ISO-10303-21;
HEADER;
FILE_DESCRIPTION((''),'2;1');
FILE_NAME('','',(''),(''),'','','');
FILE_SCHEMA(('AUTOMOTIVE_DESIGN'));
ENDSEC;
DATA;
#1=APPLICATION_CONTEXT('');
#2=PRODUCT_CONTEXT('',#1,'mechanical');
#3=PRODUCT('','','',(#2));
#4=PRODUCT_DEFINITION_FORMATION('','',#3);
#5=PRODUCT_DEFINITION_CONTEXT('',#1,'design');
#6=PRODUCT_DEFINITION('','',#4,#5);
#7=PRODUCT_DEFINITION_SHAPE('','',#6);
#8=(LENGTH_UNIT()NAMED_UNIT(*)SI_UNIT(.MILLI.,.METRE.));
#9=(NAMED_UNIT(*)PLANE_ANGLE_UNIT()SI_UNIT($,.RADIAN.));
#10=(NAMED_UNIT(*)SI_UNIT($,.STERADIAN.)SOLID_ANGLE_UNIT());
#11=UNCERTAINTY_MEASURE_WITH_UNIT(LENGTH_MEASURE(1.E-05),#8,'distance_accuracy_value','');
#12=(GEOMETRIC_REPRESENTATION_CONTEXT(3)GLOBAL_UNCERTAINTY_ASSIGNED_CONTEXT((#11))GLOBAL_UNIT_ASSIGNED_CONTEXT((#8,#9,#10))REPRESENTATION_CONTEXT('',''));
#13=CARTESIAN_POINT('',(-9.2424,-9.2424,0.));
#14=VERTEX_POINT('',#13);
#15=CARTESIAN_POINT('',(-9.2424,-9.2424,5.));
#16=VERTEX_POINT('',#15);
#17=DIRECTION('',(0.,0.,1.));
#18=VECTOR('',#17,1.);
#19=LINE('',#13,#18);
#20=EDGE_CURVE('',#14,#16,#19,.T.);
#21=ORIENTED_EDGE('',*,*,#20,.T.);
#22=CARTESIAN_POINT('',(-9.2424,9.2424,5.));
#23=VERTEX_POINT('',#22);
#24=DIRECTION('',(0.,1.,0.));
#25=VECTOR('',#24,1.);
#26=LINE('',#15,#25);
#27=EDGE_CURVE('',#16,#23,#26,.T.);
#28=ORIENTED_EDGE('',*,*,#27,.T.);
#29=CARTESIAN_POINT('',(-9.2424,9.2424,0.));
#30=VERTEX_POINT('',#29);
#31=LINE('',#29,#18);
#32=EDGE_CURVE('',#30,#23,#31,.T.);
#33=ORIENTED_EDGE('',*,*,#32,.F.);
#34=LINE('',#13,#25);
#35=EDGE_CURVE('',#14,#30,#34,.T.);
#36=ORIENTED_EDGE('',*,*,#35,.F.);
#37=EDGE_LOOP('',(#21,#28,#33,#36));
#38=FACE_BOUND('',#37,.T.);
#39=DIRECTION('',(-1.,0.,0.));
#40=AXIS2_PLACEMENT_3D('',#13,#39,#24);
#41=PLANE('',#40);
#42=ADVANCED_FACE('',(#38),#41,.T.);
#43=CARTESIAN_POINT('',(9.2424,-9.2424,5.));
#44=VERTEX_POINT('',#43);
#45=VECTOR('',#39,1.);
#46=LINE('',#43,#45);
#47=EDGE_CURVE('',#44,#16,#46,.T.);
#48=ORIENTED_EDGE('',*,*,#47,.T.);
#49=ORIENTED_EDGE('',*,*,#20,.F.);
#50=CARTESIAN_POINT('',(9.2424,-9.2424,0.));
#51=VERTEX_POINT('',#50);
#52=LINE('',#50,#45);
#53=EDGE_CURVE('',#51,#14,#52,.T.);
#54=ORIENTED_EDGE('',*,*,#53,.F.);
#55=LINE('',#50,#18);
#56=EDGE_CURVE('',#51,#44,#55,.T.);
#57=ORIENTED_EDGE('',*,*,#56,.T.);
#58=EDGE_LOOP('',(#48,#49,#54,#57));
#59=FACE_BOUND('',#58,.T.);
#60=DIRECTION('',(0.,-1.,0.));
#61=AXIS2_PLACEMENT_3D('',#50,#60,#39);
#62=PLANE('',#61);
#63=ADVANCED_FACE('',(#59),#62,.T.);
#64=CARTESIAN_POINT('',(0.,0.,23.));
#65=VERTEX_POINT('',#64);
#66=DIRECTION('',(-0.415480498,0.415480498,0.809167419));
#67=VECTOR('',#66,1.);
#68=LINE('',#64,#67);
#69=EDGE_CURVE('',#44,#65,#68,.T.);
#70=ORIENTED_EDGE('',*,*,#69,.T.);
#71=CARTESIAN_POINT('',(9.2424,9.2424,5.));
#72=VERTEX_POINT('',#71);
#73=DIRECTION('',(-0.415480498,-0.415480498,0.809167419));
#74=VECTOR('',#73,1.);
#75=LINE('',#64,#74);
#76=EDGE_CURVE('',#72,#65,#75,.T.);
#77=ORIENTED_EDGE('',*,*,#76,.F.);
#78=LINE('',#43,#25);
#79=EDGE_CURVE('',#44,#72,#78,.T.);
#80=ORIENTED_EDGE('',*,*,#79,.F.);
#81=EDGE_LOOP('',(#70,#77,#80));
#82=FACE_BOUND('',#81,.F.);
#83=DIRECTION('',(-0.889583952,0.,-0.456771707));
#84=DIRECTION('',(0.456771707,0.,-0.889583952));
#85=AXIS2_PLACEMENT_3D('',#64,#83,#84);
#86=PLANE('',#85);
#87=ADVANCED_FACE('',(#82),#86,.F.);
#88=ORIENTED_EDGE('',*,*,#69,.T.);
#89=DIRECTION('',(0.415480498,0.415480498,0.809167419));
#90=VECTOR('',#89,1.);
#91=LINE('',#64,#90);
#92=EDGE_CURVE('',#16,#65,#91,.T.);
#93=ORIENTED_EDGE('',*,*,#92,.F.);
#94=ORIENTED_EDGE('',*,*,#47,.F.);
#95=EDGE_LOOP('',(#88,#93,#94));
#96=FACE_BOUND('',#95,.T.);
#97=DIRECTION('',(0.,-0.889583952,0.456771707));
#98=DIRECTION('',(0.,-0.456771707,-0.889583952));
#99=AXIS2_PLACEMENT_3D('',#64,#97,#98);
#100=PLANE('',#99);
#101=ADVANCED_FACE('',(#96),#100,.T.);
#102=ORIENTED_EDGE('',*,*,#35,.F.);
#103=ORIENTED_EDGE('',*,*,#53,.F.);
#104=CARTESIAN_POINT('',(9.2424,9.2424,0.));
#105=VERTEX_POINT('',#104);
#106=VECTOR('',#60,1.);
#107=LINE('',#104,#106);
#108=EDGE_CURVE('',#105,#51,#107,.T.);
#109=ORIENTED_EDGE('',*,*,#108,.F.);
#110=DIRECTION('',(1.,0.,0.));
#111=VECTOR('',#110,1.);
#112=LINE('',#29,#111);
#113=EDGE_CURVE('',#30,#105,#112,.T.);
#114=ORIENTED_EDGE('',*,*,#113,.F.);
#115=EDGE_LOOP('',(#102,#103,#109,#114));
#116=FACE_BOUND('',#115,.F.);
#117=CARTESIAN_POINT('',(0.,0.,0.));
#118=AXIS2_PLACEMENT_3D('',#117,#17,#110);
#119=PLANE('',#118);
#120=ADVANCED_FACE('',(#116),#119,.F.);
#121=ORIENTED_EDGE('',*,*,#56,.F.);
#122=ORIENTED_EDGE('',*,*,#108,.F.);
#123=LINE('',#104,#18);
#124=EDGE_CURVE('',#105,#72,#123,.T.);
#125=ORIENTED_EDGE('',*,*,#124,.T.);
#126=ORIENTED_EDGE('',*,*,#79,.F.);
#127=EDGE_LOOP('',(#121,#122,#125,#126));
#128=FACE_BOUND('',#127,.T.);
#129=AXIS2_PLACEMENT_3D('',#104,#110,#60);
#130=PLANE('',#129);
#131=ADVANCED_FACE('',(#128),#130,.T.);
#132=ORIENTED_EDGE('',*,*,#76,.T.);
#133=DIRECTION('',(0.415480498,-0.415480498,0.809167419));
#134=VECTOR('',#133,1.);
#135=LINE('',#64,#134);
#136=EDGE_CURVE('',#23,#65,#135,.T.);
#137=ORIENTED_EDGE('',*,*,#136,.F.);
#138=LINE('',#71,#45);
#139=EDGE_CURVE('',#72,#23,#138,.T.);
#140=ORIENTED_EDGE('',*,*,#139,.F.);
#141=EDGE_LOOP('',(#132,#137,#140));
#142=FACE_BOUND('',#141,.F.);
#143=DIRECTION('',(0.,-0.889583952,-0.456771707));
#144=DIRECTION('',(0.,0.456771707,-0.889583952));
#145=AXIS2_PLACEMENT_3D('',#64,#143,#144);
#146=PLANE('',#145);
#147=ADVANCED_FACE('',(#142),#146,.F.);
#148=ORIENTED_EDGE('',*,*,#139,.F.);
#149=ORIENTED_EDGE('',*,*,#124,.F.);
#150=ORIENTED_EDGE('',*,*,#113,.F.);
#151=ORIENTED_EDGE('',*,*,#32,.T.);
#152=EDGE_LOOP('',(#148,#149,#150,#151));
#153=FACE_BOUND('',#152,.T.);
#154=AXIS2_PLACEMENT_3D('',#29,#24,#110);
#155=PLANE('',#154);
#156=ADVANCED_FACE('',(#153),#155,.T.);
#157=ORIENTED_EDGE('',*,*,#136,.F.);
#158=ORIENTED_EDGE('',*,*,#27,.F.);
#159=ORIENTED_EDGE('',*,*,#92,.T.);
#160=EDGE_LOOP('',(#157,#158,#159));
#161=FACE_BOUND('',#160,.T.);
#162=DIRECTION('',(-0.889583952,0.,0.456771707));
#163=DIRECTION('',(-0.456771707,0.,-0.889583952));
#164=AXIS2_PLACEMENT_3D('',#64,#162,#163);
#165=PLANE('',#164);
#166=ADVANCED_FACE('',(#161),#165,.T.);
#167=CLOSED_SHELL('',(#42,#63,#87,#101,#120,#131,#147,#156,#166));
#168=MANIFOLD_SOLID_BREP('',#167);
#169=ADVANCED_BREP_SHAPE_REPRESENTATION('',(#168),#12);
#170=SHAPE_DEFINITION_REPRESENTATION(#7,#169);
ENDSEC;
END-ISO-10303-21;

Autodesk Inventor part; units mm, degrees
ref_plane "YZ Plane" through (0, 0, 0) normal (1, 0, 0) x (0, 1, 0)
ref_plane "XZ Plane" through (0, 0, 0) normal (0, 1, 0) x (-1, 0, 0)
ref_plane "XY Plane" through (0, 0, 0) normal (0, 0, 1) x (1, 0, 0)
sketch "Absorber-Base" plane through (0, 0, 0) normal (0, 0, 1) x (1, 0, 0)
  line L0 (-9.2424, 9.2424) -> (9.2424, 9.2424)
  line L1 (9.2424, 9.2424) -> (9.2424, -9.2424)
  line L2 (9.2424, -9.2424) -> (-9.2424, -9.2424)
  line L3 (-9.2424, -9.2424) -> (-9.2424, 9.2424)
  line L4 (-9.2424, 9.2424) -> (9.2424, -9.2424) construction
  line L5 (9.2424, 9.2424) -> (-9.2424, -9.2424) construction
  point P0 (0, 0)
  dimension "d0" = 18.4849
extrude "Gesamtvolumen" add sketch "Absorber-Base" along normal blind 23
sketch "Skizze2" plane through (0, 0, 0) normal (0, 1, 0) x (-1, 0, 0)
  line L0 (-28, 0) -> (28, 0) projected
  line L1 (9.2424, 0) -> (9.2424, 23) projected
  line L2 (-9.2424, 0) -> (-9.2424, 23) projected
  line L3 (9.2424, 0) -> (-9.2424, 0)
  line L4 (-9.2424, 0) -> (-9.2424, 5)
  line L5 (-9.2424, 5) -> (9.2424, 5)
  line L6 (9.2424, 5) -> (9.2424, 0)
  line L7 (-9.2424, 23) -> (9.2424, 23) projected
  line L8 (0, 23) -> (9.2424, 5)
  line L9 (0, 23) -> (-9.2424, 5)
  point P0 (0, 0)
  point P1 (9.2424, 5)
  dimension "d6" = 5
extrude "Cutaway" cut sketch "Skizze2" along normal mid plane 18.4848 contours L2 L7 L9 | L8 L7 L1
pattern_circular "Runde Anordnung1" count 2 over 90 about axis through (0, 0, -10) along (0, 0, 1) of "Cutaway"
equation "\"d0\" = Base_Seitenlänge"
equation "\"d1\" = Gesamthöhe"
equation "\"d6\" = Base_Höhe"
equation "\"d7\" = Base_Seitenlänge"
equation "\"Base_Seitenlänge\" = 18.48485"
equation "\"Base_Höhe\" = 5"
equation "\"Gesamthöhe\" = 23"
properties part number "Absorber - SEA-PM3"
